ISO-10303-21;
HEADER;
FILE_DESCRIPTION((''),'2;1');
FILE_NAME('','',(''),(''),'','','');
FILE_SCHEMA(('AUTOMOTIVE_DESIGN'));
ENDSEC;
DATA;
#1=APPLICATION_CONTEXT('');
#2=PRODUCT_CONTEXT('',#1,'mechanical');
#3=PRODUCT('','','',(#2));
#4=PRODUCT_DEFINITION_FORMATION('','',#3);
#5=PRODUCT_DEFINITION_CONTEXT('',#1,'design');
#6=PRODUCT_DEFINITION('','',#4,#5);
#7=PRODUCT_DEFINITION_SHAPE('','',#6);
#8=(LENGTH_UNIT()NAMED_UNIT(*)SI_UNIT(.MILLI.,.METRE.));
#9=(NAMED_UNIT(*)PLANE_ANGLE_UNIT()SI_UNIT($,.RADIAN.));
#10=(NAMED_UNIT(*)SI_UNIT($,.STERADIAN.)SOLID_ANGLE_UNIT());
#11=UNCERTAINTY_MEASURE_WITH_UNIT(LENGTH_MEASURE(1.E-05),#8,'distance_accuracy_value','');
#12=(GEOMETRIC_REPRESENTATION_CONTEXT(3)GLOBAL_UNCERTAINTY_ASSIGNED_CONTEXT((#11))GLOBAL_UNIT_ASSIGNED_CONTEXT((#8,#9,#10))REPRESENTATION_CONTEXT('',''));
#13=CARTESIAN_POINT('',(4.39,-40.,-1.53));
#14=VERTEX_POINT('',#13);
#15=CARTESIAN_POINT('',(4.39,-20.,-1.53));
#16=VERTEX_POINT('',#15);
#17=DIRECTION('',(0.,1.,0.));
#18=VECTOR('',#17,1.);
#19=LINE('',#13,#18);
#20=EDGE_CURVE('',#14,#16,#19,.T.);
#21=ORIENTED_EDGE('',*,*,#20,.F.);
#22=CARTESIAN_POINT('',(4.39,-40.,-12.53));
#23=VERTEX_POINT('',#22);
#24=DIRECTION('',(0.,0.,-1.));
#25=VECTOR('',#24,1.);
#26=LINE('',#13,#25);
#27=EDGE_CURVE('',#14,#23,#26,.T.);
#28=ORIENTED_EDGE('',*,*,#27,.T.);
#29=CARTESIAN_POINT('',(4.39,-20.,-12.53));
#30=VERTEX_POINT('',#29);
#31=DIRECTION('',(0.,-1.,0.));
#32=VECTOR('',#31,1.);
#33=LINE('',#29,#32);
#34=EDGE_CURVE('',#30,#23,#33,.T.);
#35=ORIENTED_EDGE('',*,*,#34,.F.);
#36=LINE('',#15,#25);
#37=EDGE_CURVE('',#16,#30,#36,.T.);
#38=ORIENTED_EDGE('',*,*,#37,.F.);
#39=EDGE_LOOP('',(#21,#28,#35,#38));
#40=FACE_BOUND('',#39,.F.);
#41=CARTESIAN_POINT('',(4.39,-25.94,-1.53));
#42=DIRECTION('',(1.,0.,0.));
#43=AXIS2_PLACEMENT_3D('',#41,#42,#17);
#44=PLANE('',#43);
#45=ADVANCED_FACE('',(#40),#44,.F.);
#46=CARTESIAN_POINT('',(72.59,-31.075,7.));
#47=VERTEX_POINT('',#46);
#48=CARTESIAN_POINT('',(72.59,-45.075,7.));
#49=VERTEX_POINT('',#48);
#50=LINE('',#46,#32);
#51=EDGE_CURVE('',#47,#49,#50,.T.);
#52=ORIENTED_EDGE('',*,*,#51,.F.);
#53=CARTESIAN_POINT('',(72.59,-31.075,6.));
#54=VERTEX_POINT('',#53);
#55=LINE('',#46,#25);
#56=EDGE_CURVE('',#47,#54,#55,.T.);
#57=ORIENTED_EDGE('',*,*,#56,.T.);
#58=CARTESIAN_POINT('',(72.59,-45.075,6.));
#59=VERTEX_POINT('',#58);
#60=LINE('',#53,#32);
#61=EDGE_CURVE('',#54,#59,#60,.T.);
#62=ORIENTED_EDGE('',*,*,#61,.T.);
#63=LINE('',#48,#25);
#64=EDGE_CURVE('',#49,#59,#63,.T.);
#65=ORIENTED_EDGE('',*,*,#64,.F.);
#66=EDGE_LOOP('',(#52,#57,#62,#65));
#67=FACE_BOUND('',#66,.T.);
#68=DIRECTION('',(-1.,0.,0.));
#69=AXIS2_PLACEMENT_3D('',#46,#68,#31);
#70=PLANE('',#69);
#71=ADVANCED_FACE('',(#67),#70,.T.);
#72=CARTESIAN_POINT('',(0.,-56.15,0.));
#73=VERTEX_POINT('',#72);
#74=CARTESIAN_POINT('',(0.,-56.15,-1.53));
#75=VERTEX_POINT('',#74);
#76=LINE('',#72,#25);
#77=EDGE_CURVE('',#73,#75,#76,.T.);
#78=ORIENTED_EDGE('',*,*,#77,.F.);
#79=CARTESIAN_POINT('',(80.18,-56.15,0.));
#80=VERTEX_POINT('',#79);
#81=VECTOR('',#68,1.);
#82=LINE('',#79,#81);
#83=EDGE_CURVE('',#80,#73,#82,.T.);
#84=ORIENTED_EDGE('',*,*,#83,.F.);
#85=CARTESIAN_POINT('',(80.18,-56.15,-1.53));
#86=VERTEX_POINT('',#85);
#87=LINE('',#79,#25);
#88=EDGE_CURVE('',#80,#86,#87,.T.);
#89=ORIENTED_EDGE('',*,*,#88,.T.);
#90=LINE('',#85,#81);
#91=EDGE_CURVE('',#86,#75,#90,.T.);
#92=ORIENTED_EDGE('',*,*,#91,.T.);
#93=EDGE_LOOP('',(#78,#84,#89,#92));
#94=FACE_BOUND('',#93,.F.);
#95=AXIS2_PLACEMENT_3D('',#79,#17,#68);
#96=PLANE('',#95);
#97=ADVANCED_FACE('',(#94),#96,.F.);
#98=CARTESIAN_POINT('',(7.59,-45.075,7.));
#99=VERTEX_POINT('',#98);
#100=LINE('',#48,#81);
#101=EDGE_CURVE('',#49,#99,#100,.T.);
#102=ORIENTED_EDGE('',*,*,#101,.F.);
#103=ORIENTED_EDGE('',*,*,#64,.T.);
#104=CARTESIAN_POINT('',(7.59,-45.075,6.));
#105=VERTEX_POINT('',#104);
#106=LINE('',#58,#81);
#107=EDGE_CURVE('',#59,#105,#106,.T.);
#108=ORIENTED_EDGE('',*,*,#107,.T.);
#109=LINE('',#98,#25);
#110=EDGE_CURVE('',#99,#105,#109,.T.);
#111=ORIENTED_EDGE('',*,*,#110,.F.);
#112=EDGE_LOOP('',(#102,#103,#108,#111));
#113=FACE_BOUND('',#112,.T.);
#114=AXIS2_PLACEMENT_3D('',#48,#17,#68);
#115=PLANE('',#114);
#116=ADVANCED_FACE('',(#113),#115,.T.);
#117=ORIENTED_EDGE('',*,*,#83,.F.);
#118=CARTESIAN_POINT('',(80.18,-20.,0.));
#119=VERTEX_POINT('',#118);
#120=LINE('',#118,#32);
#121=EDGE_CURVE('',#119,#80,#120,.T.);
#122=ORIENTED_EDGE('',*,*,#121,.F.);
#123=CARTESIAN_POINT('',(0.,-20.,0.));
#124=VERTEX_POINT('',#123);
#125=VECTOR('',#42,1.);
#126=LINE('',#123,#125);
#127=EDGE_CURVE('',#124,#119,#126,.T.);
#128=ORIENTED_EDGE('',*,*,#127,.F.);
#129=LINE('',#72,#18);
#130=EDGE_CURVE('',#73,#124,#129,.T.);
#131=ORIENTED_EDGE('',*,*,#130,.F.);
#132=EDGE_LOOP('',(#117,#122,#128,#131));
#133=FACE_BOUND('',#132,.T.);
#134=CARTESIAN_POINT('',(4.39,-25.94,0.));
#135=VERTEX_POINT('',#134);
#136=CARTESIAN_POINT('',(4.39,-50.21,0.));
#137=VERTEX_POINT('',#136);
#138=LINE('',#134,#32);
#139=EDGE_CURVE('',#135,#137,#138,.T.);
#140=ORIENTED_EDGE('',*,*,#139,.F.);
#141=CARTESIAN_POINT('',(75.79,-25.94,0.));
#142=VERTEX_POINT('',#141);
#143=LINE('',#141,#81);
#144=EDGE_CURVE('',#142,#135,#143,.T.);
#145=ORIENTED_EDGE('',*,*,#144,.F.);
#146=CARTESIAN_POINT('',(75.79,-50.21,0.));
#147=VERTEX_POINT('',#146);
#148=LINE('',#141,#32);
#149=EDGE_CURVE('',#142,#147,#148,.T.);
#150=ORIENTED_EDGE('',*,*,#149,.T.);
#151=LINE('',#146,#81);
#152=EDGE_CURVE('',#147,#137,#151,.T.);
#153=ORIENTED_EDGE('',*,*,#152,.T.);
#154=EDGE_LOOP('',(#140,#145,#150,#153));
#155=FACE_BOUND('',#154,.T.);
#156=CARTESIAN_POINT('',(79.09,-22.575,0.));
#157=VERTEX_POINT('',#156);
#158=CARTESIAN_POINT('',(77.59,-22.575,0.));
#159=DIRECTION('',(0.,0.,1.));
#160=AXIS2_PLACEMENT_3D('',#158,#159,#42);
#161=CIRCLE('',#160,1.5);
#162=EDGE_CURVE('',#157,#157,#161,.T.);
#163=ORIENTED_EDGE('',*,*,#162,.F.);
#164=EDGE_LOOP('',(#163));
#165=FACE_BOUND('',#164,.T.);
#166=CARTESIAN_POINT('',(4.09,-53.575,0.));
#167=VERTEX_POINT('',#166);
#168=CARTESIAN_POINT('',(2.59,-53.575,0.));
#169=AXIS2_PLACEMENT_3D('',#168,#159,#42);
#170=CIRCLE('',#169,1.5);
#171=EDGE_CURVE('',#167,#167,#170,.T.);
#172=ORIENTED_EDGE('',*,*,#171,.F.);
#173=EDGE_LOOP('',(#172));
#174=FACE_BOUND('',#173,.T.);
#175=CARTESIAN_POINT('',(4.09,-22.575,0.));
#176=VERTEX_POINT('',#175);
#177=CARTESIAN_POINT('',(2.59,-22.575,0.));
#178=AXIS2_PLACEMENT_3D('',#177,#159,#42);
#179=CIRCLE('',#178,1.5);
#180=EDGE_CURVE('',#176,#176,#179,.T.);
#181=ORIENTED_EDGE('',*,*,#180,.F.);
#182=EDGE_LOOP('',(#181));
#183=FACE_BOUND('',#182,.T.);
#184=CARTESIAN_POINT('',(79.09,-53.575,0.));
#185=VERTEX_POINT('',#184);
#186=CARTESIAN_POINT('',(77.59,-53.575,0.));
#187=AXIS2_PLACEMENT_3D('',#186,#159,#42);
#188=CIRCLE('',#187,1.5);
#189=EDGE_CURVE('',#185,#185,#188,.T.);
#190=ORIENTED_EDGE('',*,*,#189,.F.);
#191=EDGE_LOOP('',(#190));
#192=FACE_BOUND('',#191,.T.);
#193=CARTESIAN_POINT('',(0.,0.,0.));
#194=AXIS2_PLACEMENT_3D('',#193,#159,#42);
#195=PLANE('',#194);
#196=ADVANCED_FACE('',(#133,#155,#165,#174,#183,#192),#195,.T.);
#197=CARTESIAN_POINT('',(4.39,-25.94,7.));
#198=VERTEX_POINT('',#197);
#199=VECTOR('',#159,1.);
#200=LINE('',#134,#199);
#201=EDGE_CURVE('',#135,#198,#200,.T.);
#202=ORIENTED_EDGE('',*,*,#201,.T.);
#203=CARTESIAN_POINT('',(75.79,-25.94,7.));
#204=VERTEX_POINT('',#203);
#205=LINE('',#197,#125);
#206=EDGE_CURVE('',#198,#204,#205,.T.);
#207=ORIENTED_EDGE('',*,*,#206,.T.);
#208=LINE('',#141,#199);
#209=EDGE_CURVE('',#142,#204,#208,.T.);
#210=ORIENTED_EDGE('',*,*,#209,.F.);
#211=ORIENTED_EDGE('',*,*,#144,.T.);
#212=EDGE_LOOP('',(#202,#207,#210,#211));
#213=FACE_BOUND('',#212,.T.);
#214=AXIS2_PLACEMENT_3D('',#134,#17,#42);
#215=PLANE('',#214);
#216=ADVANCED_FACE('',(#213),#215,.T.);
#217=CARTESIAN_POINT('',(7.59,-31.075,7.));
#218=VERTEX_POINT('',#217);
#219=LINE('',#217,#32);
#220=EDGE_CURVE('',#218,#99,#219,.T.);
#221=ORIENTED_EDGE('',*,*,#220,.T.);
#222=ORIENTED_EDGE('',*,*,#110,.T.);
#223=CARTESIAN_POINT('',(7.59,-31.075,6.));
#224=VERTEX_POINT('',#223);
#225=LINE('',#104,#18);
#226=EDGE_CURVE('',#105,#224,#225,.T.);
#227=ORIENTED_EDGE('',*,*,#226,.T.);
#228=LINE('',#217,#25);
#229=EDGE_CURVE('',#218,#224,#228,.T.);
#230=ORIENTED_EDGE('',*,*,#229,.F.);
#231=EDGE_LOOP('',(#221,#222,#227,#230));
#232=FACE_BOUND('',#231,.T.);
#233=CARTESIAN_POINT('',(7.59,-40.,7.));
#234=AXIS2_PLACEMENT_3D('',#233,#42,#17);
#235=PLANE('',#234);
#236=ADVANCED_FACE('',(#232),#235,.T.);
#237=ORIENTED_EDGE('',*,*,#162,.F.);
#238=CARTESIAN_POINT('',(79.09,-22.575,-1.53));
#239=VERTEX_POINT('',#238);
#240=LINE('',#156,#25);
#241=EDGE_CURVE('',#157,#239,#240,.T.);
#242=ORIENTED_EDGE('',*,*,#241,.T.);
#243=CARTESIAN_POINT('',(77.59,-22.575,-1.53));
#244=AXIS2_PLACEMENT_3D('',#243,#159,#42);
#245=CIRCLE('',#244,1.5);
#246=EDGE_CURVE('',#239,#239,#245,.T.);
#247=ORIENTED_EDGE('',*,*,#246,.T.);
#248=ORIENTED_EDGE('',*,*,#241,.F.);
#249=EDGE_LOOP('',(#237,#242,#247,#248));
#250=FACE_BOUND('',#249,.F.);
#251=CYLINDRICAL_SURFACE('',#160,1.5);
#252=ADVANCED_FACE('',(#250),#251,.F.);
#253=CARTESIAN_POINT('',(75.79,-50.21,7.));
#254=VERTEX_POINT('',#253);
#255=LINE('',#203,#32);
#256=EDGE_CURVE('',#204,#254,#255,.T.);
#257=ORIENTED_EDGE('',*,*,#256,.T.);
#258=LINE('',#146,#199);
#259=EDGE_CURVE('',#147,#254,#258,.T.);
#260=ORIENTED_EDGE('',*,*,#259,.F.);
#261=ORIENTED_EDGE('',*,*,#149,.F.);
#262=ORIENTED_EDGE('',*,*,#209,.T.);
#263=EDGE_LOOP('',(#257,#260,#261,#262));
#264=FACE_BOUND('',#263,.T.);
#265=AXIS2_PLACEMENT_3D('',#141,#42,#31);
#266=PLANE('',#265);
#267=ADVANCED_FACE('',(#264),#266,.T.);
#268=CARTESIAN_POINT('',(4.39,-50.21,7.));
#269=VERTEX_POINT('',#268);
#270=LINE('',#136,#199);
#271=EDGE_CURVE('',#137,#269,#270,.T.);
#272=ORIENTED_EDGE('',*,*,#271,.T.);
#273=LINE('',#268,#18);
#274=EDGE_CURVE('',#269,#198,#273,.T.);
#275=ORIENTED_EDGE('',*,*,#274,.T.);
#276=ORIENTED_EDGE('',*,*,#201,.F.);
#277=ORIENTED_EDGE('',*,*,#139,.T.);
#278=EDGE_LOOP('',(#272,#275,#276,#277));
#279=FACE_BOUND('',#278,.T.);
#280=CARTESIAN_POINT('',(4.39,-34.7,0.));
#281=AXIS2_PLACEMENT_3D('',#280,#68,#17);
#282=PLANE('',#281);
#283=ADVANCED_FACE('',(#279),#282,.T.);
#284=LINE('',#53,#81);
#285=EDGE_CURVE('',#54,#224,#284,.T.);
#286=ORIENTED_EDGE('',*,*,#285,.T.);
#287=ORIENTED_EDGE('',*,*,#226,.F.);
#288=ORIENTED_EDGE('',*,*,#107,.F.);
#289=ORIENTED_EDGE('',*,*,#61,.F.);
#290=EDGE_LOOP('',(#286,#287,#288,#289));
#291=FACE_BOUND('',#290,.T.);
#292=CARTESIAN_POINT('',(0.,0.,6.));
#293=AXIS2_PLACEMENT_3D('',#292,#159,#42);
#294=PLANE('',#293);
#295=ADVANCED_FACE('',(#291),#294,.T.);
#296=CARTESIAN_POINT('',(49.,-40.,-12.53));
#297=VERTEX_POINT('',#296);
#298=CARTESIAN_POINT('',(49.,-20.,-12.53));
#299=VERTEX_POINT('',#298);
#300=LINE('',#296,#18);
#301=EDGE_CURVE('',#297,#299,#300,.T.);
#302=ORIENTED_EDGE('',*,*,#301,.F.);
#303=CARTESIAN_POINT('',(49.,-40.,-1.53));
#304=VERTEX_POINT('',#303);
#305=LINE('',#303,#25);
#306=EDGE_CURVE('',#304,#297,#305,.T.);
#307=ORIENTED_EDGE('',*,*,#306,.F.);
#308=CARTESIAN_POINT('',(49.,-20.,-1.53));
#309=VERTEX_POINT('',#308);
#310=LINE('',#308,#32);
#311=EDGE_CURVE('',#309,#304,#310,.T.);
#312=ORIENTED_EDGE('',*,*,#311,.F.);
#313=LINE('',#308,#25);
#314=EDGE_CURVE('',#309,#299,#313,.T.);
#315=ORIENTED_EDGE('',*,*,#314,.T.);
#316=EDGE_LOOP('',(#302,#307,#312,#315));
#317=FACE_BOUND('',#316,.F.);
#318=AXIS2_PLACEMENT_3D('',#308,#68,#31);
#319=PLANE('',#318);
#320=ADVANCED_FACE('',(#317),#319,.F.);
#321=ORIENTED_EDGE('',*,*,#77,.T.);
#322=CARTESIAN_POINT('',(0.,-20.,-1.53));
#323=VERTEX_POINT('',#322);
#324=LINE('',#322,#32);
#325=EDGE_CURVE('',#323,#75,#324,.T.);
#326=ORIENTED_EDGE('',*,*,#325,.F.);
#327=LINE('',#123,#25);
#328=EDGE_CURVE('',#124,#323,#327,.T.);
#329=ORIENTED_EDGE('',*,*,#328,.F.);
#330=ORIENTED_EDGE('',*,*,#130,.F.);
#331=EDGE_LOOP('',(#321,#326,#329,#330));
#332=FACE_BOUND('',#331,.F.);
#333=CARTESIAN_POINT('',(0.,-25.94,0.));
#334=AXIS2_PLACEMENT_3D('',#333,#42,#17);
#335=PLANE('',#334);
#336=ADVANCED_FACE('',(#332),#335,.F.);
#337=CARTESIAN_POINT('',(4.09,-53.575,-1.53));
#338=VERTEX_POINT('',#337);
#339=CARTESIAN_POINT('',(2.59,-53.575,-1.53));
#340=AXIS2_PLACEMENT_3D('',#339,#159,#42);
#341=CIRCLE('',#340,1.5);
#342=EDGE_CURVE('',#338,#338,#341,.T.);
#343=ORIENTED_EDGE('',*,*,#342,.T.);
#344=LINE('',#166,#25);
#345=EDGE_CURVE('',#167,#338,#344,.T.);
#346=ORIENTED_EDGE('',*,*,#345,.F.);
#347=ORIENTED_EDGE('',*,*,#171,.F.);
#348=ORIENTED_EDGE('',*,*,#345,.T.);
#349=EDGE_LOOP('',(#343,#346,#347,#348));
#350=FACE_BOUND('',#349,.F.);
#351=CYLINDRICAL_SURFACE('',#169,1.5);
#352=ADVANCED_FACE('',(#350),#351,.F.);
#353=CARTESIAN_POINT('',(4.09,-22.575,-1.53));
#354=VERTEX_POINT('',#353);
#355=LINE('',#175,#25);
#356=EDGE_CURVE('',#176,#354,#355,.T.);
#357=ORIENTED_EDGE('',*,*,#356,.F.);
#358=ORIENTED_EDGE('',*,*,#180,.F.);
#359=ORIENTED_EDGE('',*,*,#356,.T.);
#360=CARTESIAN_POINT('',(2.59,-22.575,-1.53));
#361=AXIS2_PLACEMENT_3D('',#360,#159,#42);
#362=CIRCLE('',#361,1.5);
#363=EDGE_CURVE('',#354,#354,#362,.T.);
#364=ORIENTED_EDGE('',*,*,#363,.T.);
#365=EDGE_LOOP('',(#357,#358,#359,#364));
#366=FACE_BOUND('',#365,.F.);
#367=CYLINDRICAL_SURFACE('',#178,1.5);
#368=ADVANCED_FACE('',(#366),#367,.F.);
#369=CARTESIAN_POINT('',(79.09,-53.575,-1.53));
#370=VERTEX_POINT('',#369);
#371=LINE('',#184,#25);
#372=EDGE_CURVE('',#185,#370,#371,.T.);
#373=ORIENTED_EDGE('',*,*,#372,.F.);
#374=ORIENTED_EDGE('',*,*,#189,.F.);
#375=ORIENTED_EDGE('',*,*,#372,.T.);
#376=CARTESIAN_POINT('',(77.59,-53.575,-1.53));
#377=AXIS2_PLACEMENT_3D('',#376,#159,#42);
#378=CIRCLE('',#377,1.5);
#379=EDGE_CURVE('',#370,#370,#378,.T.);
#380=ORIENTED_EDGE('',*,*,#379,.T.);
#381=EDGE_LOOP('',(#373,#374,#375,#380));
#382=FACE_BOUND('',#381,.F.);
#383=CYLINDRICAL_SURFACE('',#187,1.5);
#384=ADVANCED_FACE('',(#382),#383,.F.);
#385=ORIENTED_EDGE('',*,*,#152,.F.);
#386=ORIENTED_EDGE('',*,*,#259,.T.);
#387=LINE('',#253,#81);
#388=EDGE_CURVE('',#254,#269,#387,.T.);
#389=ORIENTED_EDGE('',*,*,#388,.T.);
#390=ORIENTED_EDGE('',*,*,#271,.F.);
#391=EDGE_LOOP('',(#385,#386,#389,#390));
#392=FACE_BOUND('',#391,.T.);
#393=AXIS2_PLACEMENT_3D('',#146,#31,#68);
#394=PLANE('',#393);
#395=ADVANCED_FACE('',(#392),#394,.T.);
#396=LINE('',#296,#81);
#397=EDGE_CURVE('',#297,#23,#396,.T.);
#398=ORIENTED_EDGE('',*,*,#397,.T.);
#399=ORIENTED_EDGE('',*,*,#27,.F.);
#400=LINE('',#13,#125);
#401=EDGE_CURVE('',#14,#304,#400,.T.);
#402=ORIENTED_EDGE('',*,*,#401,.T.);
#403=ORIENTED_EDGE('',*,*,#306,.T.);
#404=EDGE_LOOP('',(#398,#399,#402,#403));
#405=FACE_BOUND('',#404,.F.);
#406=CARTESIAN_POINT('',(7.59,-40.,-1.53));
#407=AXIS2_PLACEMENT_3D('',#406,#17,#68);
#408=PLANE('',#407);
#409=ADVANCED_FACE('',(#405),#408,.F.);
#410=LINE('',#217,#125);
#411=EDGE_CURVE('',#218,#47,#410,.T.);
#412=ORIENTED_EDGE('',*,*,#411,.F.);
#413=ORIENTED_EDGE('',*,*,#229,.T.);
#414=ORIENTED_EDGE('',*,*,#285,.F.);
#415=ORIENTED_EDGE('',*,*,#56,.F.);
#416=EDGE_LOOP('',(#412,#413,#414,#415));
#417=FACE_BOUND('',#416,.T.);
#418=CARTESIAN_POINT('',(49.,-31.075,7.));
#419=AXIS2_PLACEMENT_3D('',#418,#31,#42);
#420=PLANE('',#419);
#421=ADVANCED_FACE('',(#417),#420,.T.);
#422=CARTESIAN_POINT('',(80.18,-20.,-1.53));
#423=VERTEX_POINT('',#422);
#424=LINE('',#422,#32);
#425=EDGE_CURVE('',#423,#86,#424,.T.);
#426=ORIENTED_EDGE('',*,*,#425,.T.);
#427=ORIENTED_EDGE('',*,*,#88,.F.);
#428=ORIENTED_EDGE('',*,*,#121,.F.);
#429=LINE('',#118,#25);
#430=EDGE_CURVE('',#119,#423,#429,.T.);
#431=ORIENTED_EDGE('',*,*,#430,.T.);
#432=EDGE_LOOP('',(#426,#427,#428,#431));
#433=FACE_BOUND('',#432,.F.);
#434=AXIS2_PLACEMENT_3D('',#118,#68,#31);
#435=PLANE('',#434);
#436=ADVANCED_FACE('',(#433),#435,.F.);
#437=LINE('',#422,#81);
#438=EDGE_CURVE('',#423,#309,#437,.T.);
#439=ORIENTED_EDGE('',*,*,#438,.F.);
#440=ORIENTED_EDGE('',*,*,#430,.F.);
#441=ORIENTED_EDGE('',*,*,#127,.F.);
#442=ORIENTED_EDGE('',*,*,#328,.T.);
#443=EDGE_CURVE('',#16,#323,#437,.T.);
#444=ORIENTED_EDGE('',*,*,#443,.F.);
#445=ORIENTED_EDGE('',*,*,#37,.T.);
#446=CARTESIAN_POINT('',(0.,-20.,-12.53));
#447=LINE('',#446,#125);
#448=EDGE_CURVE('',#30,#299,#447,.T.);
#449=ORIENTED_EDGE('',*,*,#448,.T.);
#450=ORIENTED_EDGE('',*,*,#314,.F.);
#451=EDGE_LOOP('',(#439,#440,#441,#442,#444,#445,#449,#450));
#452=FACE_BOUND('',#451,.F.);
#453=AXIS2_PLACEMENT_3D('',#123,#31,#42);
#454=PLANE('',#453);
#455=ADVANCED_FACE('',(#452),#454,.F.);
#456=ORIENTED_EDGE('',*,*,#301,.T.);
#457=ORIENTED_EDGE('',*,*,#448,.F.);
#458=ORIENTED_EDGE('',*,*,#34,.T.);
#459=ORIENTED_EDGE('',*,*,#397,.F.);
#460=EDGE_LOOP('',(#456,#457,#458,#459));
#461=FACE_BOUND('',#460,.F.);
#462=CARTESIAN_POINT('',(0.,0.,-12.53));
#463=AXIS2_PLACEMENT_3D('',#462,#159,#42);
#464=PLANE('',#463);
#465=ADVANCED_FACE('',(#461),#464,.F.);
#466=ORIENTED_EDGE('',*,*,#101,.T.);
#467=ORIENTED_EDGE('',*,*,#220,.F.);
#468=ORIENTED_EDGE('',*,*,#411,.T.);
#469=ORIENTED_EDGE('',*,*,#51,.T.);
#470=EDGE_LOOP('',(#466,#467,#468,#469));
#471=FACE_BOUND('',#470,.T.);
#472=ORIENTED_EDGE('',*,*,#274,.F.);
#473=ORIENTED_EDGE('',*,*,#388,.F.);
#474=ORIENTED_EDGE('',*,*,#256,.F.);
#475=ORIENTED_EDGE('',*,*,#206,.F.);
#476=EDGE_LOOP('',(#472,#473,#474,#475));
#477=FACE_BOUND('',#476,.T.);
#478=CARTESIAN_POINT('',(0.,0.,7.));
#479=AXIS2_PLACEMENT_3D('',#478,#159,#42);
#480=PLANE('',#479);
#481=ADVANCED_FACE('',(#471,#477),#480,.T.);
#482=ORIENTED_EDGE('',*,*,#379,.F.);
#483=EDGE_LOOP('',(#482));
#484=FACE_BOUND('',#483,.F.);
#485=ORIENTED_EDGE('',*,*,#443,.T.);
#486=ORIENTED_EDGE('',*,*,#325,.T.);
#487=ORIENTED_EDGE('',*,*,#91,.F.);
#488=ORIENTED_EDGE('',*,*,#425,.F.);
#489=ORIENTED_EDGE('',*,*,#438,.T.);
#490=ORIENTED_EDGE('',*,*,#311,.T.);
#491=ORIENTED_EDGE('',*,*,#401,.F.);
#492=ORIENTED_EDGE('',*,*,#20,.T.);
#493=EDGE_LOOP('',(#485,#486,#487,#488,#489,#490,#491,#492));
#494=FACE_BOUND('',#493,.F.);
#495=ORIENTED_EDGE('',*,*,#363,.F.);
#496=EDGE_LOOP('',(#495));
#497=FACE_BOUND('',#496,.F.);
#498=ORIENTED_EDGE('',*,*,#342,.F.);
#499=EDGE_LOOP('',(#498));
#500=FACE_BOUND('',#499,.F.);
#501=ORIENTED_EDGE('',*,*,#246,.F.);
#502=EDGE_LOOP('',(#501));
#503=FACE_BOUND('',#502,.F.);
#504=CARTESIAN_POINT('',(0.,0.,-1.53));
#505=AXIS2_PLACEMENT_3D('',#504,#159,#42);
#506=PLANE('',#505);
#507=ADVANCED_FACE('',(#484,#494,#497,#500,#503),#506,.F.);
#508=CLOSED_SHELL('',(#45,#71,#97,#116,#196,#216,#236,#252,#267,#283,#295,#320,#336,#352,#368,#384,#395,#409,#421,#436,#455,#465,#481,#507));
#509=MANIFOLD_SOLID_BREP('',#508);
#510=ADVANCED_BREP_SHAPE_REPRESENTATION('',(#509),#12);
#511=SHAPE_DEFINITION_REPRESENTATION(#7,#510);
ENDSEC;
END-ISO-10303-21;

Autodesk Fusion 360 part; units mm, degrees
sketch "Sketch1" plane through (0, 0, 0) normal (0, 0, 1) x (1, 0, 0)
  line L0 (0, -20) -> (80.18, -20)
  line L1 (80.18, -20) -> (80.18, -56.15)
  line L2 (80.18, -56.15) -> (0, -56.15)
  line L3 (0, -56.15) -> (0, -20)
  line L4 (4.39, -25.94) -> (75.79, -25.94)
  line L5 (75.79, -25.94) -> (75.79, -50.21)
  line L6 (75.79, -50.21) -> (4.39, -50.21)
  line L7 (4.39, -50.21) -> (4.39, -25.94)
  line L8 (0, -20) -> (49, -20)
  line L9 (49, -20) -> (49, -40)
  line L10 (49, -40) -> (0, -40)
  line L11 (0, -40) -> (0, -20)
  line L12 (75.79, -38.075) -> (80.18, -38.075) construction
  line L13 (40.09, -25.94) -> (40.09, -20) construction
  line L14 (7.59, -31.075) -> (72.59, -31.075)
  line L15 (72.59, -31.075) -> (72.59, -45.075)
  line L16 (72.59, -45.075) -> (7.59, -45.075)
  line L17 (7.59, -45.075) -> (7.59, -31.075)
  line L18 (7.59, -38.075) -> (4.39, -38.075) construction
  line L19 (40.09, -31.075) -> (40.09, -25.94) construction
  circle A0 centre (2.59, -22.575) radius 1.5
  line L20 (2.59, -24.075) -> (7, -24.075) construction
  line L21 (4.09, -22.575) -> (4.09, -25) construction
  circle A1 centre (77.59, -22.575) radius 1.5
  line L22 (77.59, -24.075) -> (73.18, -24.075) construction
  line L23 (76.09, -22.575) -> (76.09, -25) construction
  circle A2 centre (77.59, -53.575) radius 1.5
  line L24 (76.09, -53.575) -> (76.09, -51.15) construction
  line L25 (77.59, -52.075) -> (73.18, -52.075) construction
  line L26 (2.59, -52.075) -> (7, -52.075) construction
  line L27 (4.09, -53.575) -> (4.09, -51.15) construction
  circle A3 centre (2.59, -53.575) radius 1.5
  line L28 (4.39, -25.94) -> (4.39, -20)
  line L29 (4.39, -25.94) -> (0, -25.94)
  line L30 (4.39, -34.7) -> (0, -34.7)
  line L31 (0, -34.7) -> (0, -40)
  line L32 (0, -40) -> (4.39, -40)
  line L33 (4.39, -40) -> (4.39, -34.7)
  dimension "d1020" = 20
  dimension "d1021" = 80.18
  dimension "d1022" = 36.15
  dimension "d1023" = 24.27
  dimension "d1024" = 71.4
  dimension "d1025" = 20
  dimension "d1026" = 49
  dimension "d1027" = 65
  dimension "d1028" = 14
  dimension "d1039" = 3
  dimension "d1040" = 28
  dimension "d1041" = 72
  dimension "d1212" = 14.7
extrude "Extrude1" add sketch "Sketch1" against normal blind 1.53
extrude "Extrude2" add sketch "Sketch1" against normal blind 11 from surface at -1.53 contours L0 L4 L8 L9 L28 | L4 L7 L9 L10 L14 L17 L33 | L9 L10 L14 L17
extrude "Extrude3" add sketch "Sketch1" along normal blind 7 contours L4 L7 L9 L10 L14 L17 L33 | L4 L5 L6 L7 L9 L10 L14 L15 L16 L17 | L9 L10 L14 L15 L16 L17 | L9 L10 L14 L17
extrude "Extrude4" cut sketch "Sketch1" against normal blind 1 from surface at 7 contours L9 L10 L14 L15 L16 L17 | L9 L10 L14 L17
